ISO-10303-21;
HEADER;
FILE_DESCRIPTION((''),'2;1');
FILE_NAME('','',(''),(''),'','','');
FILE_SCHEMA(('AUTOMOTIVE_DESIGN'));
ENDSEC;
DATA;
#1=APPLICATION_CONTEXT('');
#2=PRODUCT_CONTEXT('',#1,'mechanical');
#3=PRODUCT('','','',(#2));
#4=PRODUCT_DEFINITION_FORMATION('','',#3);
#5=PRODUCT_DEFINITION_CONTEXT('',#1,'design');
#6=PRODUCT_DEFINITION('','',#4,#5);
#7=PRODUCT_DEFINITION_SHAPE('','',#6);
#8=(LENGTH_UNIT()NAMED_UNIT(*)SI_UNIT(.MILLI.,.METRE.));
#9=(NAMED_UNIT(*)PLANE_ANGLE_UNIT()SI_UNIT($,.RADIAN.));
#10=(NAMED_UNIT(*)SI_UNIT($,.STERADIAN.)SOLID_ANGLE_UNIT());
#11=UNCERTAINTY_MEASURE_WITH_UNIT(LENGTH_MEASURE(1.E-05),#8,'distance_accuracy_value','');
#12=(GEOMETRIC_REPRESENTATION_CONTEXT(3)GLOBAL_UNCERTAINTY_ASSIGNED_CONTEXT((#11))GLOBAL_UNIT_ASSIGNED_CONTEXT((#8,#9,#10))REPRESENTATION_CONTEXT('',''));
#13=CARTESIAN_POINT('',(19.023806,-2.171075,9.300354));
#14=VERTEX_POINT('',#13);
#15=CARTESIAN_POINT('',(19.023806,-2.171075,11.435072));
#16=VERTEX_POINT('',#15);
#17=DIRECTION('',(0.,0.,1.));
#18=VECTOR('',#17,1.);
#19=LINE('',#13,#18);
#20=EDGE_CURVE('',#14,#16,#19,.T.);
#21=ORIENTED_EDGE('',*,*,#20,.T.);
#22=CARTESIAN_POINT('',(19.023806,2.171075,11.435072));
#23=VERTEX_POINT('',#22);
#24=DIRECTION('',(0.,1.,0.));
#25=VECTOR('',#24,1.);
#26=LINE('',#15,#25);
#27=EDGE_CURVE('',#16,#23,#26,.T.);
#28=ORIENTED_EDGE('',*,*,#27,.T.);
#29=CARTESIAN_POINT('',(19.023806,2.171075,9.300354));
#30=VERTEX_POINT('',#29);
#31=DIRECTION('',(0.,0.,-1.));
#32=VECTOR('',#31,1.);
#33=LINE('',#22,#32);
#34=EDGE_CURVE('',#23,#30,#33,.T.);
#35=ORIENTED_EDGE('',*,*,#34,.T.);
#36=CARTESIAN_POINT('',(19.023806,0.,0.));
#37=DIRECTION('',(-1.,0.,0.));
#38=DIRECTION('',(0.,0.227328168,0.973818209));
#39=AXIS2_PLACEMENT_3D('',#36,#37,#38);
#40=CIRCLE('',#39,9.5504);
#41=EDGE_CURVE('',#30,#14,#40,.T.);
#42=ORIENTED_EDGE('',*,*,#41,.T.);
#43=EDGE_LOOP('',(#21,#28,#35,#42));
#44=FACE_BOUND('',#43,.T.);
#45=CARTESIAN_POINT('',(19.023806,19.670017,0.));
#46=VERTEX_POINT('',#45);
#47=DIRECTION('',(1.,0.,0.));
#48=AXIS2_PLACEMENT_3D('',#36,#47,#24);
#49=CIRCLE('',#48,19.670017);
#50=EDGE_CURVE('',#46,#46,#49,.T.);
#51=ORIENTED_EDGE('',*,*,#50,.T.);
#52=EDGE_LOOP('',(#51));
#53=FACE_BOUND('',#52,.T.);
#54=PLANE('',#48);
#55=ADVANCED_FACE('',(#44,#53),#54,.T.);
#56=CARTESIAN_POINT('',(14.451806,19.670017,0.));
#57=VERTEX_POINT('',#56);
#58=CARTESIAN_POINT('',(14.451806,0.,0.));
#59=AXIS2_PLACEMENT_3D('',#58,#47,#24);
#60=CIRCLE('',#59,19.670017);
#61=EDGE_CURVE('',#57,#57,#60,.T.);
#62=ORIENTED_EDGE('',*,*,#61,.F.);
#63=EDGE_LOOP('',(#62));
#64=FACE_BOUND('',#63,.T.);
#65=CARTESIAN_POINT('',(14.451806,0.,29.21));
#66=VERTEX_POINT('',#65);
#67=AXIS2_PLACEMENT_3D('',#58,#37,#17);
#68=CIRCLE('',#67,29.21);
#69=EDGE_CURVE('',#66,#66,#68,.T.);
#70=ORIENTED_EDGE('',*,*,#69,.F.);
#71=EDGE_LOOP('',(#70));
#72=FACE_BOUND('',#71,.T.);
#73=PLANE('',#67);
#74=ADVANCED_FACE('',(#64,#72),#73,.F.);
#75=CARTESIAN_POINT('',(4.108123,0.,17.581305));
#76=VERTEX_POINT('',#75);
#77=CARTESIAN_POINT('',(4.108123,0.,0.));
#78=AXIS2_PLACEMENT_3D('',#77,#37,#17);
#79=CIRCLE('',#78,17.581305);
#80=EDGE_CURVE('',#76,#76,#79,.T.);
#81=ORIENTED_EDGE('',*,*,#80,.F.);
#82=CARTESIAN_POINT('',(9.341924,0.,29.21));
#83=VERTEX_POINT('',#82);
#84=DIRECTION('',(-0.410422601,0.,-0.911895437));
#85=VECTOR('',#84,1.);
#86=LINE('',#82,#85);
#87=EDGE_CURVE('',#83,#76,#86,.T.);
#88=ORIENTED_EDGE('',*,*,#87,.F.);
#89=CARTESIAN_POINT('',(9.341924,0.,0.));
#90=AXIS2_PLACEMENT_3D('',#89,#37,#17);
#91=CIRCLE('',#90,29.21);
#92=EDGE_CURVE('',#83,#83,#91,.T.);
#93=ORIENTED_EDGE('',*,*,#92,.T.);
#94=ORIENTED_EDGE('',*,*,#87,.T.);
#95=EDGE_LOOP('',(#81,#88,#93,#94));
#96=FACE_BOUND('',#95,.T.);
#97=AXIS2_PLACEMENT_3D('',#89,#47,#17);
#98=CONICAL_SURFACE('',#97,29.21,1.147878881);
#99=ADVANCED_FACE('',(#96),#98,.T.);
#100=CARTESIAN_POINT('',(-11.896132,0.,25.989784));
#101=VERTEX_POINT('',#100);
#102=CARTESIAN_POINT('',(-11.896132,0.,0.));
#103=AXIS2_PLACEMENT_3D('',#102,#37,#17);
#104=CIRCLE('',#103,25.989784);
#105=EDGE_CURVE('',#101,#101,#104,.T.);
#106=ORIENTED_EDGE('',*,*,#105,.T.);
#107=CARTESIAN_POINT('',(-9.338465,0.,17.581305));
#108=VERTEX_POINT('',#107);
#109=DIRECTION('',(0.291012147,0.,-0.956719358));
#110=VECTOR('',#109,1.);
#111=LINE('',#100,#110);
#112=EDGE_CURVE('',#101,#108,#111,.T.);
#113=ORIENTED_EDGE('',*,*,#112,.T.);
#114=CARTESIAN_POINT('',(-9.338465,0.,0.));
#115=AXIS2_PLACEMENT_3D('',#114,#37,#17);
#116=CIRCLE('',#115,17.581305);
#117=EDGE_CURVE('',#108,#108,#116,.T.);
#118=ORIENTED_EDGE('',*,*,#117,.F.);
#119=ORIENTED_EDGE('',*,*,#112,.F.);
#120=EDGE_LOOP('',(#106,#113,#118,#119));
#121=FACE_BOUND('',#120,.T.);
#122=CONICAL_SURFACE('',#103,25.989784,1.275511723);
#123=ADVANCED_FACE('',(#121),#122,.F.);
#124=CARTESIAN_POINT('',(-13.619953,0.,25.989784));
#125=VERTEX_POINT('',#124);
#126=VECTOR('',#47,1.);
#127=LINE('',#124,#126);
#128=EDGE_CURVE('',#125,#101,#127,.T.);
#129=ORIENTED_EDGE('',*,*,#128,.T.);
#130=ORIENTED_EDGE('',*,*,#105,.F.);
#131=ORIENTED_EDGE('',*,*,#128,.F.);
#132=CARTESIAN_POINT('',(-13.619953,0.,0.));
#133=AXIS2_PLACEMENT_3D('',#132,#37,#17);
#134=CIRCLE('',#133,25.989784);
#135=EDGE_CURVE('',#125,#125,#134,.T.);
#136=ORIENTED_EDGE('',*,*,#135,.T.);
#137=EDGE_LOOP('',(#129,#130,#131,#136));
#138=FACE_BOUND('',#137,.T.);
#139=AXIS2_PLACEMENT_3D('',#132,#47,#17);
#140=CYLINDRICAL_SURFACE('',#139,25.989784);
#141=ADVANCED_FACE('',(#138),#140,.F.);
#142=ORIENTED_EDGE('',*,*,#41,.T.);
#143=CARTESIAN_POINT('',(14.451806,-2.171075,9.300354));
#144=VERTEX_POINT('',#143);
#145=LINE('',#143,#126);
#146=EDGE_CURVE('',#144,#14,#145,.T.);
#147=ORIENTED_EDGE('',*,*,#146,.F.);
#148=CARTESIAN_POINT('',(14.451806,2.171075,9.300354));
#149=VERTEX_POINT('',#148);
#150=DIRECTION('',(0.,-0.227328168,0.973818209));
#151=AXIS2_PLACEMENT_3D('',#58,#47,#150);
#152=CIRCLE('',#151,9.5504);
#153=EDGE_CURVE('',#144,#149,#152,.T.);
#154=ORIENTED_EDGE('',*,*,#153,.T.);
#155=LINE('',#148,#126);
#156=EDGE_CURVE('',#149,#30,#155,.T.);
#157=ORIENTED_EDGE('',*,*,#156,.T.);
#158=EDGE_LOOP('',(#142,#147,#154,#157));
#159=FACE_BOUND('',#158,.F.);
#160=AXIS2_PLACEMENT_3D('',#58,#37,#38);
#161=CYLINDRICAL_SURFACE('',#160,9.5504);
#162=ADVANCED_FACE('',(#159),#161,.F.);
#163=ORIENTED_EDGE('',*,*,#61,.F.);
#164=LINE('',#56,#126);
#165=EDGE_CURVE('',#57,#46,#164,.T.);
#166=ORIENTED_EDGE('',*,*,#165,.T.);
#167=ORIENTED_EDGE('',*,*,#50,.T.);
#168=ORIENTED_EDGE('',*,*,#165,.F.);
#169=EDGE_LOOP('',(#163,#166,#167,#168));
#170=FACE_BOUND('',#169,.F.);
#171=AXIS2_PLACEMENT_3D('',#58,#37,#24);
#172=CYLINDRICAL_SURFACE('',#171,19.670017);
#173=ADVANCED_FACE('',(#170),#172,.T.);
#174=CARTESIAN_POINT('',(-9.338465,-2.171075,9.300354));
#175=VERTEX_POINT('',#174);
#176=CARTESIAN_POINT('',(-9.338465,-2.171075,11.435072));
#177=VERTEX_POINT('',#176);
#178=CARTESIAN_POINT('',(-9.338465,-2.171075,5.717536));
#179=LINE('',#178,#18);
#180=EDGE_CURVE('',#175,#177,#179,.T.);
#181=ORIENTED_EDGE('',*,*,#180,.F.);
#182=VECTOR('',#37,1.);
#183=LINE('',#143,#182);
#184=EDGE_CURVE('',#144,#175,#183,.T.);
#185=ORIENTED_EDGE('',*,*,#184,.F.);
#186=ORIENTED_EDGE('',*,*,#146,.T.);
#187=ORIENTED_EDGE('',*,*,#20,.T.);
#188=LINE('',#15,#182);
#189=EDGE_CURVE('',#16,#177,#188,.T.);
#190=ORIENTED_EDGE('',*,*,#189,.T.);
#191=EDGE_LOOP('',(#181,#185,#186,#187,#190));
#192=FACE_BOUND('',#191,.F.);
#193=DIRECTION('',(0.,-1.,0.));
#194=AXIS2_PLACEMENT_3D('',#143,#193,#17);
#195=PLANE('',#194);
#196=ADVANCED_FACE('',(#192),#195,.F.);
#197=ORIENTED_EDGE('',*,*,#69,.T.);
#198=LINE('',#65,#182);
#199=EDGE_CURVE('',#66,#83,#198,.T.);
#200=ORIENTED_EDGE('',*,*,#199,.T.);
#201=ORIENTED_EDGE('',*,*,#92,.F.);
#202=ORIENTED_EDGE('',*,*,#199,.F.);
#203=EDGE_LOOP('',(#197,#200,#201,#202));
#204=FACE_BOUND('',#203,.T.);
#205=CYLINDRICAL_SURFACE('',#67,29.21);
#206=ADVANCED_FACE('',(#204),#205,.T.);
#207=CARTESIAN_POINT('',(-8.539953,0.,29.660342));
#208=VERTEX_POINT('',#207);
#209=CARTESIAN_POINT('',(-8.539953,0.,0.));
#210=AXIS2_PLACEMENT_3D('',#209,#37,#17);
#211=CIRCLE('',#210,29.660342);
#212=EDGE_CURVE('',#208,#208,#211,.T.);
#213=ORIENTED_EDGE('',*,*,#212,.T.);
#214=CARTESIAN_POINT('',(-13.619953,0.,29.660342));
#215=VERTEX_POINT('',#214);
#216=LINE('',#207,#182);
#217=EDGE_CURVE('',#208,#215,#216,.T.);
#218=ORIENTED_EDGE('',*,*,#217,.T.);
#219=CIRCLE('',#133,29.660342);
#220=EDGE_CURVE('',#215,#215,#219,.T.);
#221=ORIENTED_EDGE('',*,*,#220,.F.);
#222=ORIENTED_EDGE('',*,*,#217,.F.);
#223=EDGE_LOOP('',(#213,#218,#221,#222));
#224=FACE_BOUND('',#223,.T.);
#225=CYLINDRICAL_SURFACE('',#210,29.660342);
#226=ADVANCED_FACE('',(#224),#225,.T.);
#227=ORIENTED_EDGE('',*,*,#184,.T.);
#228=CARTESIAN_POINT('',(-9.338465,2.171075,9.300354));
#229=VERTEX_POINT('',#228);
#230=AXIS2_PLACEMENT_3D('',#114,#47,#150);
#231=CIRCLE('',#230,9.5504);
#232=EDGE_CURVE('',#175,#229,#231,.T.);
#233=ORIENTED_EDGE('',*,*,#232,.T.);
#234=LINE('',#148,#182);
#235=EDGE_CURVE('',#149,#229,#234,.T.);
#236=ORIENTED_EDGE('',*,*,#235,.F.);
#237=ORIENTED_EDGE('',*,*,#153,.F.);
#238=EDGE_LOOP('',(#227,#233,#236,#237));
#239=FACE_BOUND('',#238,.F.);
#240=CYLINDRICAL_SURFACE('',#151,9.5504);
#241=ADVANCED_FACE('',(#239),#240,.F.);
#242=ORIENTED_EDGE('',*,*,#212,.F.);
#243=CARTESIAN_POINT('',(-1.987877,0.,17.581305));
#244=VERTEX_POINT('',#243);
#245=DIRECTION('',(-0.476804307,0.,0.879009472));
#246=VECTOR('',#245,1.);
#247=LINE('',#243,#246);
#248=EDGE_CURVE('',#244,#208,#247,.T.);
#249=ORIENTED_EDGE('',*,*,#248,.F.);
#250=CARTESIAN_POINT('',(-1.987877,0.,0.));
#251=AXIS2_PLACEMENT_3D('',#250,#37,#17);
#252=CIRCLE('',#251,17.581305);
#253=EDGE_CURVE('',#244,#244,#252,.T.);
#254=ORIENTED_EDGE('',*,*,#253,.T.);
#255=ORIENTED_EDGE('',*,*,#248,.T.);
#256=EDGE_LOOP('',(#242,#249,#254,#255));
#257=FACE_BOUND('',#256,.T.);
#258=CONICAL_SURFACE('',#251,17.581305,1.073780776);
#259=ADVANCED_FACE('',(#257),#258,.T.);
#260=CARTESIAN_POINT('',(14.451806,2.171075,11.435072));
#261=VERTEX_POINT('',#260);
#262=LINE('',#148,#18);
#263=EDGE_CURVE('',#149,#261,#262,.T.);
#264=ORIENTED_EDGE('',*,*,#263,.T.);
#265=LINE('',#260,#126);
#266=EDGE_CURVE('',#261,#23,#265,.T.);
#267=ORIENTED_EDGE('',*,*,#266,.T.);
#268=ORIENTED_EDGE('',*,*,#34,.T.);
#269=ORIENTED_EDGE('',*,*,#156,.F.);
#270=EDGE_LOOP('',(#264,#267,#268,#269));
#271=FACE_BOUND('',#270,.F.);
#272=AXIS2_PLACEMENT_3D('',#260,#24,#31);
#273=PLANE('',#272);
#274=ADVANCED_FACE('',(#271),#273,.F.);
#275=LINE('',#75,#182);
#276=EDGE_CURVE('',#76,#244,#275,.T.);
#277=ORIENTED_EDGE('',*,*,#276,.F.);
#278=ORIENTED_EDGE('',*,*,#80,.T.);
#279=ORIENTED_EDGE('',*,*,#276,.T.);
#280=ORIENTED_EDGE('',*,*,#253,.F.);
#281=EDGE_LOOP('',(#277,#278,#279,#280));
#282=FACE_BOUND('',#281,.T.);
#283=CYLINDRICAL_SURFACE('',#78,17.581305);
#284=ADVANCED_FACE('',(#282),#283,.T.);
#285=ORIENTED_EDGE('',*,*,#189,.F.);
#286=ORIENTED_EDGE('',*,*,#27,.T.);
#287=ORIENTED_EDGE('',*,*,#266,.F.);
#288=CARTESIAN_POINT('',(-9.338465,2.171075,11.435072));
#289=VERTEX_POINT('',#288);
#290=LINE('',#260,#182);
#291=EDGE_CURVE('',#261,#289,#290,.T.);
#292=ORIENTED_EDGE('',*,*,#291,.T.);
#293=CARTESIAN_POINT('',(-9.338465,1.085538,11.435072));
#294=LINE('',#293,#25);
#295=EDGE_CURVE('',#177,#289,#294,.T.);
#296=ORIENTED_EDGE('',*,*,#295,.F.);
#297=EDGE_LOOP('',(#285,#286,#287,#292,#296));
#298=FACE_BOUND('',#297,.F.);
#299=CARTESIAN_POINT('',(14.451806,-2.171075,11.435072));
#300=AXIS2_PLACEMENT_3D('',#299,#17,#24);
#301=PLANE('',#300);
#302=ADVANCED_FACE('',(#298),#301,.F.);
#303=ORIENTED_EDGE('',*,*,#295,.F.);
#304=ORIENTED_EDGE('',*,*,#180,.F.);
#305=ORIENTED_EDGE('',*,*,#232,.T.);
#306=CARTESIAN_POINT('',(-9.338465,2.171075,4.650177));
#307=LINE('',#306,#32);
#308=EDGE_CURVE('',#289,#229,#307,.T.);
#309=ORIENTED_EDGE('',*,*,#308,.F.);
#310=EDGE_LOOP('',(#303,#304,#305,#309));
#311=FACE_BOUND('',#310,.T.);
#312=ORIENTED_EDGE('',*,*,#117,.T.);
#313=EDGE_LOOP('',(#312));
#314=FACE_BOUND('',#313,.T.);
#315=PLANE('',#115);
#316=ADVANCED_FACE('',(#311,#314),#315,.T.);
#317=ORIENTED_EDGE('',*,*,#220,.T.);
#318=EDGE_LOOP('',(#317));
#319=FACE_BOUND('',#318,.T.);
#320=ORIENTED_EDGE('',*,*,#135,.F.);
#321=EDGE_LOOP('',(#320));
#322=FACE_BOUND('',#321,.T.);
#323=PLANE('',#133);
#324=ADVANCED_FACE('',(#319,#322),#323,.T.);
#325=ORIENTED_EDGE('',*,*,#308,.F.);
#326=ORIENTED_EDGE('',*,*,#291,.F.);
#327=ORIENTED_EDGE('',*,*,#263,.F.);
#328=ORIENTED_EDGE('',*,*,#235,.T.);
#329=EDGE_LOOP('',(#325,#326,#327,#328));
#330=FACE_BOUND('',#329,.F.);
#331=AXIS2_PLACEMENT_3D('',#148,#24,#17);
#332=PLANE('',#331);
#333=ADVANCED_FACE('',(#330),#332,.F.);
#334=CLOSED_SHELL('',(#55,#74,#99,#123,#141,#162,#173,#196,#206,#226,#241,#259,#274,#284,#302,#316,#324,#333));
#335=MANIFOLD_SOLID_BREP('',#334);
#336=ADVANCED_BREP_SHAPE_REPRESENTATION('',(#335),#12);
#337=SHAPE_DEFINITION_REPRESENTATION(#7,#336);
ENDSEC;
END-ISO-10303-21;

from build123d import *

# Parameters (mm, degrees)
F3_DEPTH = 49.784
F4_R     = 19.670017
F5_DEPTH = 4.572


with BuildPart() as f1:
    # F0 (on Front) → F1 (revolve)
    with BuildSketch(Plane.XZ):
        Polygon((4.108123, 17.581305), (-1.987877, 17.581305), (-8.539953, 29.660342), (-13.619953, 29.660342), (-13.619953, 25.989784), (-11.896132, 25.989784), (-9.338465, 17.581305), (-9.338465, 0), (14.451806, 0), (14.451806, 29.21), (9.341924, 29.21), align=None)
    revolve(axis=Axis((2.55667, 0, 0), (-1, 0, 0)))

    # F2 (on face) → F3 (cut)
    with BuildSketch(Plane.YZ.offset(14.451806)):
        with BuildLine():
            Line((-2.171075, 11.435072), (-2.171075, 9.300354))
            ThreePointArc((-2.171075, 9.300354), (0, -9.5504), (2.171075, 9.300354))
            Line((2.171075, 9.300354), (2.171075, 11.435072))
            Line((2.171075, 11.435072), (-2.171075, 11.435072))
        make_face()
    extrude(amount=-F3_DEPTH, mode=Mode.SUBTRACT)

    # F4 (on face) → F5 (join)
    with BuildSketch(Plane.YZ.offset(14.451806)):
        Circle(F4_R)
        with BuildLine():
            Line((2.171075, 11.435072), (2.171075, 9.300354))
            ThreePointArc((2.171075, 9.300354), (0, -9.5504), (-2.171075, 9.300354))
            Line((-2.171075, 9.300354), (-2.171075, 11.435072))
            Line((-2.171075, 11.435072), (2.171075, 11.435072))
        make_face(mode=Mode.SUBTRACT)
    extrude(amount=F5_DEPTH)


solid = f1.part
